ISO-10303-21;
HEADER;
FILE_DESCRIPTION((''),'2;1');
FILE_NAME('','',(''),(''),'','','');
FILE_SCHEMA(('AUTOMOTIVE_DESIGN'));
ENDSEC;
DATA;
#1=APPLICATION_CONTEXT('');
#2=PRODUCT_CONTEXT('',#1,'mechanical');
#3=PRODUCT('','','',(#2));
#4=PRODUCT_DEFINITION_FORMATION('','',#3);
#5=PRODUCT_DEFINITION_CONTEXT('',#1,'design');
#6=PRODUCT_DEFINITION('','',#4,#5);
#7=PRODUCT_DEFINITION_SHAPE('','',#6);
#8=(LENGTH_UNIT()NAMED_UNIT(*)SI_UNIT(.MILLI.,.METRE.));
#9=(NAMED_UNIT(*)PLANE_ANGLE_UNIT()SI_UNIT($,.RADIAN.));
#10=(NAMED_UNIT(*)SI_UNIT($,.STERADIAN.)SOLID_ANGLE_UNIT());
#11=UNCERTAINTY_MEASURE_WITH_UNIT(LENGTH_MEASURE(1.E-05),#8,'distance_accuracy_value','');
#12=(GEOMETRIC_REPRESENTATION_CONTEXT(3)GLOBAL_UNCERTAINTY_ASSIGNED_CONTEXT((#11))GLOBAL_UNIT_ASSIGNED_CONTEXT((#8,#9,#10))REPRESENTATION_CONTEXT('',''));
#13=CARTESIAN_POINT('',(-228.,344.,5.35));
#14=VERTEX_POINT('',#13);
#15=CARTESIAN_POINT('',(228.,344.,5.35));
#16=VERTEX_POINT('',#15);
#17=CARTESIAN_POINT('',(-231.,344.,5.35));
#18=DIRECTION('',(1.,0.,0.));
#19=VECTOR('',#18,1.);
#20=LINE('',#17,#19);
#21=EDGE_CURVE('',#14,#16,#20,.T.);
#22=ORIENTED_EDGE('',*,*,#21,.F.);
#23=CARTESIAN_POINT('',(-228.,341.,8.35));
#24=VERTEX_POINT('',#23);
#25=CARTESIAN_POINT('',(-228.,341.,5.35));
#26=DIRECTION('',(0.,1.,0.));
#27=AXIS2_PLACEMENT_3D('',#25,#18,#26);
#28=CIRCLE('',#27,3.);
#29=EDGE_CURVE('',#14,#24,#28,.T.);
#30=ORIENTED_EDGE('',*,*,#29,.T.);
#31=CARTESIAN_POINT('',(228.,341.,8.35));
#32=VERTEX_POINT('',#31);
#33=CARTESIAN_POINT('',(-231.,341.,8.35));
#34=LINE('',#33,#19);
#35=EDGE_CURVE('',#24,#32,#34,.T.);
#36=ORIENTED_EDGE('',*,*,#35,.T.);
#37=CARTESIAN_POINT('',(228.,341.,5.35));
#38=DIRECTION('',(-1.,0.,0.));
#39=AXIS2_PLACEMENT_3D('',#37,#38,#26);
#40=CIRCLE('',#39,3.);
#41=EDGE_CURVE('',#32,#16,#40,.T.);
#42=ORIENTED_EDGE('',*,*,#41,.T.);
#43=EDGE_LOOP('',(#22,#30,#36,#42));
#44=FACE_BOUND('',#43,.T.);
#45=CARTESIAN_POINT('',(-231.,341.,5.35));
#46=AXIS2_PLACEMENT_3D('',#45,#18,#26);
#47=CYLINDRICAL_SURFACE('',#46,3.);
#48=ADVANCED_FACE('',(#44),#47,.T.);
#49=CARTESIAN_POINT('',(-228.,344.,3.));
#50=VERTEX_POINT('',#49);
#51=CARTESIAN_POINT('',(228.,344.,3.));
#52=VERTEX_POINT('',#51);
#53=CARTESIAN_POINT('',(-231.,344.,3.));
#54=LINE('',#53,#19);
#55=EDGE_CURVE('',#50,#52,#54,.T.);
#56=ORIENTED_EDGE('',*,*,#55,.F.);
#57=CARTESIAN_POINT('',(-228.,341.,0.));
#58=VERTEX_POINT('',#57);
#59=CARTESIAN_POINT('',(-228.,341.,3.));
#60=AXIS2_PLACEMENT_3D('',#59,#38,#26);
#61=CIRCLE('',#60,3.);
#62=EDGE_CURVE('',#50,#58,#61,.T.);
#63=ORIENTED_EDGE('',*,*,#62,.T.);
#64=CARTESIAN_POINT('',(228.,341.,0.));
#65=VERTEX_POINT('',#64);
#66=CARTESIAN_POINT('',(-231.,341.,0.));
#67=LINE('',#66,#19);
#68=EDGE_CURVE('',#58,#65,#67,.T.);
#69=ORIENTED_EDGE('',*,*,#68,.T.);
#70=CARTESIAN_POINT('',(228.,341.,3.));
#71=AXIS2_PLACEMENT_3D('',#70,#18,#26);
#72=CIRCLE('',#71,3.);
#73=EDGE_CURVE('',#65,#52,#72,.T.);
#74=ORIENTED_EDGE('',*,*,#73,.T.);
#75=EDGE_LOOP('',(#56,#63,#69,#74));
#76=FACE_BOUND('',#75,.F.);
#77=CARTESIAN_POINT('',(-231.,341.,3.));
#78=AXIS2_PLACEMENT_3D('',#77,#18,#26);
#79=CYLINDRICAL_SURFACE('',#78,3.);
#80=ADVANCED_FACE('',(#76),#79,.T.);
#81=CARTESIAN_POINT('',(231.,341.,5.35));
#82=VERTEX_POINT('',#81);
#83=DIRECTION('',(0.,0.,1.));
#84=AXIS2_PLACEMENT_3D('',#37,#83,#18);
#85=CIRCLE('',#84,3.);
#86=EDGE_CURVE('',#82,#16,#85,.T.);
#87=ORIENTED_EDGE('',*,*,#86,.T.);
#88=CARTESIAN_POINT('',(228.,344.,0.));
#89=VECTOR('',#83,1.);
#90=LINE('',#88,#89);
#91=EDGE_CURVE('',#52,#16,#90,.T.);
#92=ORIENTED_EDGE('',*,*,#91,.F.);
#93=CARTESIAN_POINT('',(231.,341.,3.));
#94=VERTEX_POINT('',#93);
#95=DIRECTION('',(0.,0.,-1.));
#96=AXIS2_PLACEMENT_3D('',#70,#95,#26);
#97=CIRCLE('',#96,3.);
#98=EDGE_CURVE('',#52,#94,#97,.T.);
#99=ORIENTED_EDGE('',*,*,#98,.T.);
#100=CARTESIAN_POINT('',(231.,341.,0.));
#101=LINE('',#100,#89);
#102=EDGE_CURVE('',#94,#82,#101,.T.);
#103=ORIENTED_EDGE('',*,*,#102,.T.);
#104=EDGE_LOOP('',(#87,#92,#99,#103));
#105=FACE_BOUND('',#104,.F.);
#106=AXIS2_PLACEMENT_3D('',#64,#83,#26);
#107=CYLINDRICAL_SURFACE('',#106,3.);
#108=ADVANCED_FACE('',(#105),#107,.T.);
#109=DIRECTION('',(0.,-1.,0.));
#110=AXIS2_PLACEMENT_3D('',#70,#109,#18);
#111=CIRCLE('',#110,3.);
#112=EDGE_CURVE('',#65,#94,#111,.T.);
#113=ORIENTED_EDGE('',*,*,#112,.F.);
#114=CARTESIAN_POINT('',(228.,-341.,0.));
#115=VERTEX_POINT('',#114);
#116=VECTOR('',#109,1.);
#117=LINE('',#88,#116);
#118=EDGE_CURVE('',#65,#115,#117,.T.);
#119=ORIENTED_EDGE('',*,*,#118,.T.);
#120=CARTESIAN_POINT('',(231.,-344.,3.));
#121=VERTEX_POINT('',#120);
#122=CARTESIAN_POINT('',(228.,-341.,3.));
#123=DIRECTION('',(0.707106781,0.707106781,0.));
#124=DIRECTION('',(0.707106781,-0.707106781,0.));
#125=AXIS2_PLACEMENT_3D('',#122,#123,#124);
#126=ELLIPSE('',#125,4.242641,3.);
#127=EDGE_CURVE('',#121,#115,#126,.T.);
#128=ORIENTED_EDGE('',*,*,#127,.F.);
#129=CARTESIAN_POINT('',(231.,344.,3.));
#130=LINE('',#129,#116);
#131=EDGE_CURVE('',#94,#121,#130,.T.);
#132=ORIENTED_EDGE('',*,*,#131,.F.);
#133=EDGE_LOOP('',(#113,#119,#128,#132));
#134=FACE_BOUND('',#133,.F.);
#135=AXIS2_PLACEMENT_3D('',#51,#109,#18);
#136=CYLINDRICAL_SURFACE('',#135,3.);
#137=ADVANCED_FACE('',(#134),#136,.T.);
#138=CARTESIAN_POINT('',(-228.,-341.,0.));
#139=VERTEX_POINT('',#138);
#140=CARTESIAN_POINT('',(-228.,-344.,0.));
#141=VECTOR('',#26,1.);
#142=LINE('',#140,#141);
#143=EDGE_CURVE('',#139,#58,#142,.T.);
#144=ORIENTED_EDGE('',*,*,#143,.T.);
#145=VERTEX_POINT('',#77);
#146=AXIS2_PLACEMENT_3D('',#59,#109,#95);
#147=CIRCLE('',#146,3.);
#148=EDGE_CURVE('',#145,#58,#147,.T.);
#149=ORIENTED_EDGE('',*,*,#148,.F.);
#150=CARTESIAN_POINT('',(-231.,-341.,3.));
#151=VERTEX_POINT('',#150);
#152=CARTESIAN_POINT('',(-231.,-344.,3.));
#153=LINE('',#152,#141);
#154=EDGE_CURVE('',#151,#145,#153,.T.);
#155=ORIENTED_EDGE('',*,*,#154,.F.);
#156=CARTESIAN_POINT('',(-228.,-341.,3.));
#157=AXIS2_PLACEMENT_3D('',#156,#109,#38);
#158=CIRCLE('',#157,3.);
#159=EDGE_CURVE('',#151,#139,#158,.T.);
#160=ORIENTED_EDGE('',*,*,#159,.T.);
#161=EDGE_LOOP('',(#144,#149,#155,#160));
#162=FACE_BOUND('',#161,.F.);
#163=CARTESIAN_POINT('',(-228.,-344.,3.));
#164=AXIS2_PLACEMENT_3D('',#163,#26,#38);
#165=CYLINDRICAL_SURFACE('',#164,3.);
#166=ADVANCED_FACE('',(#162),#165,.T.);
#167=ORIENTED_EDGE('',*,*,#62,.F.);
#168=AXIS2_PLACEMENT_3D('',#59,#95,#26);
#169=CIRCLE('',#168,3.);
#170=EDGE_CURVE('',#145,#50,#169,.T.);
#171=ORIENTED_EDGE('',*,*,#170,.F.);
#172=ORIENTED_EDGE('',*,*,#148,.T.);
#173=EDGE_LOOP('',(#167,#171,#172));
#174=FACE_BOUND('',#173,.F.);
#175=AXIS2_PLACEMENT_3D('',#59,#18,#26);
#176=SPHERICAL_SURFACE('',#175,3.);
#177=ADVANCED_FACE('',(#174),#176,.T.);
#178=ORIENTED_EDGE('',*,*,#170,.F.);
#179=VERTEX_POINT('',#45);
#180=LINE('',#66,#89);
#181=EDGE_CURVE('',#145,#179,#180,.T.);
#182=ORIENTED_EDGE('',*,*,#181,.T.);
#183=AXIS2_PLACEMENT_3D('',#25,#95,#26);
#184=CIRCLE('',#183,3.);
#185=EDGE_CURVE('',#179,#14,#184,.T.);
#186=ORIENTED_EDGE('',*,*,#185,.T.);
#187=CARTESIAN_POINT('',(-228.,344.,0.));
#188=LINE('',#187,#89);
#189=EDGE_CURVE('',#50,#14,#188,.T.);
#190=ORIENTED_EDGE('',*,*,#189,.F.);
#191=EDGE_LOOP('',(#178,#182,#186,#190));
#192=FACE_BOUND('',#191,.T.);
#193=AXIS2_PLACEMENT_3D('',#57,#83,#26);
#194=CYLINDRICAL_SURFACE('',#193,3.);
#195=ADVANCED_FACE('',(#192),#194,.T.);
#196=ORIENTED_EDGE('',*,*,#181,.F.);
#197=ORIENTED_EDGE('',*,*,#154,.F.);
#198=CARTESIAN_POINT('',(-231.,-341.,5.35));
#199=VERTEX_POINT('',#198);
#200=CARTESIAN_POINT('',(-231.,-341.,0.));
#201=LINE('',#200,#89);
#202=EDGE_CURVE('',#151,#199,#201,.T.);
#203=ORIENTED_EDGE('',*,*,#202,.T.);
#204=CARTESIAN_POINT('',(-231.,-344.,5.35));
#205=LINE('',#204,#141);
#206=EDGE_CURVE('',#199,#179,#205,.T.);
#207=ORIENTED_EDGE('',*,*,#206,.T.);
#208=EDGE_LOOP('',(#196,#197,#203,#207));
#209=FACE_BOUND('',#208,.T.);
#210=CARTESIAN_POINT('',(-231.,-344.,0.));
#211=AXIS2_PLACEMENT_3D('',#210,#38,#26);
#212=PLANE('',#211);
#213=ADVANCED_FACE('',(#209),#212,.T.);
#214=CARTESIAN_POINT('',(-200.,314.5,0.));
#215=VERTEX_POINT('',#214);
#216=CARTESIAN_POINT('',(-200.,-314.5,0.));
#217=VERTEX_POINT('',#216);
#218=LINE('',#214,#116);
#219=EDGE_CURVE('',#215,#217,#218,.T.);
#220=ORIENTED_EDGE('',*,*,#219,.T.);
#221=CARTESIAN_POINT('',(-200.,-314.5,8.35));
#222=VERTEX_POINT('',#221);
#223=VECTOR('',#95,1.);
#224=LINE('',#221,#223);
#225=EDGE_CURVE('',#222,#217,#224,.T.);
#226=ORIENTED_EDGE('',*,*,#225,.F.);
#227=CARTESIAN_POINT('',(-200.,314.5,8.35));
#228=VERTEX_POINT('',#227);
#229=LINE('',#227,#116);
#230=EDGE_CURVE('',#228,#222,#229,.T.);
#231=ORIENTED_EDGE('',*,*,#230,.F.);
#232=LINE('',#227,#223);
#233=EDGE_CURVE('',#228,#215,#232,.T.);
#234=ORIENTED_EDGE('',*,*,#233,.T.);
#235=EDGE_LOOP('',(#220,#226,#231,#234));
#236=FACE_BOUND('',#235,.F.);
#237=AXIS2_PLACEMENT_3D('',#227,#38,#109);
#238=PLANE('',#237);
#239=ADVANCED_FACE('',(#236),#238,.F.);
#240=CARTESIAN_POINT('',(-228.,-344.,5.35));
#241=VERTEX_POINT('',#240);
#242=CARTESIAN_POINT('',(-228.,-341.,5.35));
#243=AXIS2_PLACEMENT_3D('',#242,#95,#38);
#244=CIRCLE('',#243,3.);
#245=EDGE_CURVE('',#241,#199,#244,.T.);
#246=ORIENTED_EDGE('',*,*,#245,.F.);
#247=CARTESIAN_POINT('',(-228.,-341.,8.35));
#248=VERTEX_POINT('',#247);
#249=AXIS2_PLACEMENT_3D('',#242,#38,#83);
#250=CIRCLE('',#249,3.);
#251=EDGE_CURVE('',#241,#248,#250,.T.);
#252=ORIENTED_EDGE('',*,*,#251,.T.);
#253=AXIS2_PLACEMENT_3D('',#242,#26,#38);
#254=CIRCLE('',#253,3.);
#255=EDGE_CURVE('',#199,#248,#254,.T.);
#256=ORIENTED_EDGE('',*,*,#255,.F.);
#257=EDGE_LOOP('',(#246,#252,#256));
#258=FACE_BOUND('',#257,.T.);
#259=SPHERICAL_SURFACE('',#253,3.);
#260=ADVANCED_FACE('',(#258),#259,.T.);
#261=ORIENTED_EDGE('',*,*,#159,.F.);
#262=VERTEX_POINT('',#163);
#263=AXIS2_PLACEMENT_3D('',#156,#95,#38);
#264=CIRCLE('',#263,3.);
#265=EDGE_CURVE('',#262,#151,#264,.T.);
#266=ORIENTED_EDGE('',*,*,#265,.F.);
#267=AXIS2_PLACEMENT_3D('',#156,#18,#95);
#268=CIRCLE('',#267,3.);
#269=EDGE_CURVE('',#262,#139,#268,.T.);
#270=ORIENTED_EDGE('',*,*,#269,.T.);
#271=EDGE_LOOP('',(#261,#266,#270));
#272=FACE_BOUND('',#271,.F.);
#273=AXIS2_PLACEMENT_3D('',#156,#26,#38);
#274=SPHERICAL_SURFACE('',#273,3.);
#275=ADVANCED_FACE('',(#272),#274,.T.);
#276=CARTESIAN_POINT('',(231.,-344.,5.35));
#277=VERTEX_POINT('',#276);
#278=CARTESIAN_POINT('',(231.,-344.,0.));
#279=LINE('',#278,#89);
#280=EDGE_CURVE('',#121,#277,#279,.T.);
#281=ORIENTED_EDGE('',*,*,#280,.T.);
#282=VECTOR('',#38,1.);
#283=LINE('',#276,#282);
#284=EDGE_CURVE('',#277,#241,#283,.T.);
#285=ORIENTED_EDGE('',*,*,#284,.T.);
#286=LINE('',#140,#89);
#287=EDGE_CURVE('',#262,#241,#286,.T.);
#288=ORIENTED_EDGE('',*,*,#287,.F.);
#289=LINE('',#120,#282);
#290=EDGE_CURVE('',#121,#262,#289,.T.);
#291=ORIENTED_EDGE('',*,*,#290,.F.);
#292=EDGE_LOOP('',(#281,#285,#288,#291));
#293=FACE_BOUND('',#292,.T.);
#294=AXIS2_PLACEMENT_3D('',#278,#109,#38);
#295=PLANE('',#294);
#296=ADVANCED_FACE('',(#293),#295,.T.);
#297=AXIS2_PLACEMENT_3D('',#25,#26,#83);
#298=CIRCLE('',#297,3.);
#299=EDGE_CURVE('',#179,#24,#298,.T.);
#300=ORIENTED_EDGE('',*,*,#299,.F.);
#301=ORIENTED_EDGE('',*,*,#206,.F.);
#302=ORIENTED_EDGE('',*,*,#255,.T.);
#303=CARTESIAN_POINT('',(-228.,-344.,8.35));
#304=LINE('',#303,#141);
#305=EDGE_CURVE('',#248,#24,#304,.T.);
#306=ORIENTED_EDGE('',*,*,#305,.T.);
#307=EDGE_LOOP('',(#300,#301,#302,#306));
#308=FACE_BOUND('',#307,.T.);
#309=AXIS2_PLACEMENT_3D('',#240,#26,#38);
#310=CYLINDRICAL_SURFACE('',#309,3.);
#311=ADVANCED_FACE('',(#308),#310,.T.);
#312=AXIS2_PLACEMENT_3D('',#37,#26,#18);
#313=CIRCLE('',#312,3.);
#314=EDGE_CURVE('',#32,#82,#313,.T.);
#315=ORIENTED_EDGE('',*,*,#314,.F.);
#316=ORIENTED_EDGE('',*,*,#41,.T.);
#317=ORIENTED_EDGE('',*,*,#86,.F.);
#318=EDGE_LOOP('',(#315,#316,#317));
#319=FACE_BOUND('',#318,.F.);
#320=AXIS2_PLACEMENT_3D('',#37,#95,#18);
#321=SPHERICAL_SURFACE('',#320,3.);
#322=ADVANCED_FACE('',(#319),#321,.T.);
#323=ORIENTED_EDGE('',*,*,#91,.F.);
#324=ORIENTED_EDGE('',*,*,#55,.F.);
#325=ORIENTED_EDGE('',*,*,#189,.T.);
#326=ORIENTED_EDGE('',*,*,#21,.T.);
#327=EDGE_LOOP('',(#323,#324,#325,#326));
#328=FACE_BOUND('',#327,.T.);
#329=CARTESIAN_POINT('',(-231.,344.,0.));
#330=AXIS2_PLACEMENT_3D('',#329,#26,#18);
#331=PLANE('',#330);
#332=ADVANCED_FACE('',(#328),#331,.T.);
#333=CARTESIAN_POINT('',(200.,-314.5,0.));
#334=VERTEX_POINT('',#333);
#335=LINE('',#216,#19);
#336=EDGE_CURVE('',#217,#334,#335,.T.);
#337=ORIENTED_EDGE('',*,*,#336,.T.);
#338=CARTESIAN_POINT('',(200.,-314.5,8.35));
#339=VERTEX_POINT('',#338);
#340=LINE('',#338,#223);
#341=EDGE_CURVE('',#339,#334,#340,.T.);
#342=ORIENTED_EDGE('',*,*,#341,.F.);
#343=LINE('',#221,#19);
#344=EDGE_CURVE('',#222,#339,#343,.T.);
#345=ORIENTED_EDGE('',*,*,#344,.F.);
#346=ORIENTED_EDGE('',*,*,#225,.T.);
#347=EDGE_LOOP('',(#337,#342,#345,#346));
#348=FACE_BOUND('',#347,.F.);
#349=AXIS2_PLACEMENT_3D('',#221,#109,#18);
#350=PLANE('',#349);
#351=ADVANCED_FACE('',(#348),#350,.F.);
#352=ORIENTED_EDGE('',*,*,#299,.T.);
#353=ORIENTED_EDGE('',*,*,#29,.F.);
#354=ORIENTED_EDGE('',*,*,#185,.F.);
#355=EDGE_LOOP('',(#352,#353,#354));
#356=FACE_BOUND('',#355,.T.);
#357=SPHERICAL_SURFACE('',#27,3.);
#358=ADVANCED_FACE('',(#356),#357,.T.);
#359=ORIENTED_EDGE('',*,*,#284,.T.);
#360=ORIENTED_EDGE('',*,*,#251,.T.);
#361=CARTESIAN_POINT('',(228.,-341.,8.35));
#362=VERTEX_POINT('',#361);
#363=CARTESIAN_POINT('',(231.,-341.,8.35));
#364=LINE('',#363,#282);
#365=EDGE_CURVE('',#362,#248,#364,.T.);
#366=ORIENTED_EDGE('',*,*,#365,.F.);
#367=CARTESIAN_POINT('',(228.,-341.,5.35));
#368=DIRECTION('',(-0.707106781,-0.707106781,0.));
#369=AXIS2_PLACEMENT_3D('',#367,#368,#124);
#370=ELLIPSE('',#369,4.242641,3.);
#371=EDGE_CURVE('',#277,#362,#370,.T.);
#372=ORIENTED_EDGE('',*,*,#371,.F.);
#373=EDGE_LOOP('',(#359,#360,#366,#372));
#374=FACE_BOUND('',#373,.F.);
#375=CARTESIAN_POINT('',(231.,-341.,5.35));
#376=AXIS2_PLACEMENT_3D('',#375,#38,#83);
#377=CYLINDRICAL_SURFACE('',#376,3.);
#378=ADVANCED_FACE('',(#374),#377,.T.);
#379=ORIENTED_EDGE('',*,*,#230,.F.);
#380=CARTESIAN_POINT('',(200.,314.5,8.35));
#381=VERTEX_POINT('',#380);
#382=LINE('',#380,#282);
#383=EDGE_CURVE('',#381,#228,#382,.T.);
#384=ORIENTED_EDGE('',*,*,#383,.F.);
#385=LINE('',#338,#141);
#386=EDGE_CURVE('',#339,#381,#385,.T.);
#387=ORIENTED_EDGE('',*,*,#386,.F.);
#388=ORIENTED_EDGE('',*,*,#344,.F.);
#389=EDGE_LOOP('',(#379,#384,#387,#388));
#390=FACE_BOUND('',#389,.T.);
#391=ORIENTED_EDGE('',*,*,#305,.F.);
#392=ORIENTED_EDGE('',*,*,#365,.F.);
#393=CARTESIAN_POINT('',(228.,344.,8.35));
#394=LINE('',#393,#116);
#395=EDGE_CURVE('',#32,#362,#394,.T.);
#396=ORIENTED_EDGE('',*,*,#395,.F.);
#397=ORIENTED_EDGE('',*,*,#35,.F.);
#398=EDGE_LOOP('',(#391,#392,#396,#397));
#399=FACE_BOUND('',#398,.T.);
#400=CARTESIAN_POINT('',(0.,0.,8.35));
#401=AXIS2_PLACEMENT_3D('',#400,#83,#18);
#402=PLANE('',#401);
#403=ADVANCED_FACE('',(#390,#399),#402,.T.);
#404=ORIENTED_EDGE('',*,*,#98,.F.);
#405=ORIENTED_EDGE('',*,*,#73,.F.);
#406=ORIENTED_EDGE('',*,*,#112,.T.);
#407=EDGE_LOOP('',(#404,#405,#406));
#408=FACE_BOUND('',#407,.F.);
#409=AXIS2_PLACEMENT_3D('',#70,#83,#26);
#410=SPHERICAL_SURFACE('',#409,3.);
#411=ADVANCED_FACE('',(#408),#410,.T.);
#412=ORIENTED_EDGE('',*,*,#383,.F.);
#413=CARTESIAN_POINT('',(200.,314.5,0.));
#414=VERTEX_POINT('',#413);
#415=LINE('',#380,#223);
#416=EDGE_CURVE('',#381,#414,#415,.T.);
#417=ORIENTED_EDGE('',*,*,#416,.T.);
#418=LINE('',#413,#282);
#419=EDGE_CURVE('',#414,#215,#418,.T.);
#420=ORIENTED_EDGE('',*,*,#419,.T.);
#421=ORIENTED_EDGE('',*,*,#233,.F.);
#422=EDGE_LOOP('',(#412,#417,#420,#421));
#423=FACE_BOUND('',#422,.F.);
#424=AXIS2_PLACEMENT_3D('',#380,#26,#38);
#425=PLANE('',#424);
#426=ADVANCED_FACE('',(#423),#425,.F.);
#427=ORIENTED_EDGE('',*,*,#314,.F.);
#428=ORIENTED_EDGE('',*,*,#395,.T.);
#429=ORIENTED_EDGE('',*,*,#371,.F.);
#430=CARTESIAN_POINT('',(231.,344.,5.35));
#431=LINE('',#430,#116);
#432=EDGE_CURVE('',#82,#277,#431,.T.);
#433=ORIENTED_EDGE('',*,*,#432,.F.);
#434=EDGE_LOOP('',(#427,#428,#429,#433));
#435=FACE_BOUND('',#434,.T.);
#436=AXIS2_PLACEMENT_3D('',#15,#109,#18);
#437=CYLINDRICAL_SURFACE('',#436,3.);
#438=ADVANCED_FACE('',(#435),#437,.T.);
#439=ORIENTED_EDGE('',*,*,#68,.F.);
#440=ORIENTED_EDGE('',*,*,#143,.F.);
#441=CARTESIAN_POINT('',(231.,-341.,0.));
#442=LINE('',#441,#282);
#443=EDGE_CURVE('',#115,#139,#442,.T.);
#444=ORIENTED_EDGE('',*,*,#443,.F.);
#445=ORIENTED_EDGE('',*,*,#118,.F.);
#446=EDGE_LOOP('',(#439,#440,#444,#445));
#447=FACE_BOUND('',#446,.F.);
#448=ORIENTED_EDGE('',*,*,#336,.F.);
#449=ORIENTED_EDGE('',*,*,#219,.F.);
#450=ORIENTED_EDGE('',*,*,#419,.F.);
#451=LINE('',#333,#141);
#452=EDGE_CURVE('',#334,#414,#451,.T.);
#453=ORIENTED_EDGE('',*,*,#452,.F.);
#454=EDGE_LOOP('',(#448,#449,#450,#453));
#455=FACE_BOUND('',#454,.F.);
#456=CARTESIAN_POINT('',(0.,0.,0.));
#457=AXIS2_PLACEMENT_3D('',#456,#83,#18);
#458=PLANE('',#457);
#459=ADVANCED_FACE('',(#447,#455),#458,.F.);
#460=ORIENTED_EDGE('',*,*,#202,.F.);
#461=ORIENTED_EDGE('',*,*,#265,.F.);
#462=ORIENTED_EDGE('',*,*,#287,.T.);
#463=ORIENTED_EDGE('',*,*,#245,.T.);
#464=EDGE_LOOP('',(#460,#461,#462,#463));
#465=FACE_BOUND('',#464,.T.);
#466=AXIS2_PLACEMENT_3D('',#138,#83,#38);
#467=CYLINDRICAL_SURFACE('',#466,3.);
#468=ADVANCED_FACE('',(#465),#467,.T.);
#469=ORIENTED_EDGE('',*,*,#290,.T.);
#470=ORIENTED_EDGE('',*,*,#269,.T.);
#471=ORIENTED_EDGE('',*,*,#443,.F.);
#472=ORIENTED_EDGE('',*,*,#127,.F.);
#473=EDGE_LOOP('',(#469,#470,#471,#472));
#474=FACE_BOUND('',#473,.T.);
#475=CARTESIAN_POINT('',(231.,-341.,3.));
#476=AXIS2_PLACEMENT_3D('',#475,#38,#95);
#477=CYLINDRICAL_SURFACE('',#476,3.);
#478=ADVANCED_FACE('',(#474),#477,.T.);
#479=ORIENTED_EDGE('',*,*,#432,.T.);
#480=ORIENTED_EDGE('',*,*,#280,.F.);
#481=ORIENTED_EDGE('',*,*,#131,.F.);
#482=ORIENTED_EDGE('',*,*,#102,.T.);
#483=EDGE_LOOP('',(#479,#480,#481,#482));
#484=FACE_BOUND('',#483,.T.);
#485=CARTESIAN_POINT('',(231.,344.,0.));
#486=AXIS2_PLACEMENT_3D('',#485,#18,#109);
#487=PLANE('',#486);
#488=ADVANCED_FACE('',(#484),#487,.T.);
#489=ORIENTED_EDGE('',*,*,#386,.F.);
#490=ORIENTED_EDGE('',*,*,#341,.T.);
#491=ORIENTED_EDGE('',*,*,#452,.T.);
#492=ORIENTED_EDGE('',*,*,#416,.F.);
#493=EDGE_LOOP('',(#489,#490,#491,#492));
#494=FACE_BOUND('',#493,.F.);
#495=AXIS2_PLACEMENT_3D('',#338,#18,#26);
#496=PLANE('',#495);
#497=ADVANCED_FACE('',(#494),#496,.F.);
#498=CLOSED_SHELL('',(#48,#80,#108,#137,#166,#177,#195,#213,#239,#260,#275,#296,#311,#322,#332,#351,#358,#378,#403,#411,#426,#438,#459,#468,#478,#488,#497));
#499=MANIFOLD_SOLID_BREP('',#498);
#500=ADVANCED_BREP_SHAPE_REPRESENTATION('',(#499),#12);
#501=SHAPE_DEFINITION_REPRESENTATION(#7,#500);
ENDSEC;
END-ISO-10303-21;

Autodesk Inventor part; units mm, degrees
ref_plane "YZ Plane" through (0, 0, 0) normal (1, 0, 0) x (0, 1, 0)
ref_plane "XZ Plane" through (0, 0, 0) normal (0, 1, 0) x (-1, 0, 0)
ref_plane "XY Plane" through (0, 0, 0) normal (0, 0, 1) x (1, 0, 0)
sketch "スケッチ1" plane through (0, 0, 0) normal (0, 0, 1) x (1, 0, 0)
  line L0 (-231, 344) -> (231, 344)
  line L1 (231, 344) -> (231, -344)
  line L2 (231, -344) -> (-231, -344)
  line L3 (-231, -344) -> (-231, 344)
  line L4 (-231, 344) -> (231, -344) construction
  line L5 (231, 344) -> (-231, -344) construction
  point P0 (0, 0)
  dimension "d0" = 462
  dimension "d1" = 688
extrude "押し出し1" add sketch "スケッチ1" along normal blind 8.35
sketch "スケッチ2" plane through (0, 0, 8.35) normal (0, 0, 1) x (1, 0, 0)
  line L0 (-200, -314.5) -> (200, -314.5)
  line L1 (200, -314.5) -> (200, 314.5)
  line L2 (200, 314.5) -> (-200, 314.5)
  line L3 (-200, 314.5) -> (-200, -314.5)
  line L4 (-200, -314.5) -> (200, 314.5) construction
  line L5 (200, -314.5) -> (-200, 314.5) construction
  point P0 (0, 0)
  dimension "d4" = 400
  dimension "d5" = 629
extrude "押し出し2" cut sketch "スケッチ2" against normal blind 8.35
fillet "フィレット1" radius 3 11 edges at (231, 344, 4.175) (231, 0, 8.35) (0, 344, 8.35) (0, 344, 0) (231, 0, 0) (-231, 344, 4.175) (-231, 0, 8.35) (-231, 0, 0) (-231, -344, 4.175) (0, -344, 8.35) (0, -344, 0)
properties part number "lowerGom"
